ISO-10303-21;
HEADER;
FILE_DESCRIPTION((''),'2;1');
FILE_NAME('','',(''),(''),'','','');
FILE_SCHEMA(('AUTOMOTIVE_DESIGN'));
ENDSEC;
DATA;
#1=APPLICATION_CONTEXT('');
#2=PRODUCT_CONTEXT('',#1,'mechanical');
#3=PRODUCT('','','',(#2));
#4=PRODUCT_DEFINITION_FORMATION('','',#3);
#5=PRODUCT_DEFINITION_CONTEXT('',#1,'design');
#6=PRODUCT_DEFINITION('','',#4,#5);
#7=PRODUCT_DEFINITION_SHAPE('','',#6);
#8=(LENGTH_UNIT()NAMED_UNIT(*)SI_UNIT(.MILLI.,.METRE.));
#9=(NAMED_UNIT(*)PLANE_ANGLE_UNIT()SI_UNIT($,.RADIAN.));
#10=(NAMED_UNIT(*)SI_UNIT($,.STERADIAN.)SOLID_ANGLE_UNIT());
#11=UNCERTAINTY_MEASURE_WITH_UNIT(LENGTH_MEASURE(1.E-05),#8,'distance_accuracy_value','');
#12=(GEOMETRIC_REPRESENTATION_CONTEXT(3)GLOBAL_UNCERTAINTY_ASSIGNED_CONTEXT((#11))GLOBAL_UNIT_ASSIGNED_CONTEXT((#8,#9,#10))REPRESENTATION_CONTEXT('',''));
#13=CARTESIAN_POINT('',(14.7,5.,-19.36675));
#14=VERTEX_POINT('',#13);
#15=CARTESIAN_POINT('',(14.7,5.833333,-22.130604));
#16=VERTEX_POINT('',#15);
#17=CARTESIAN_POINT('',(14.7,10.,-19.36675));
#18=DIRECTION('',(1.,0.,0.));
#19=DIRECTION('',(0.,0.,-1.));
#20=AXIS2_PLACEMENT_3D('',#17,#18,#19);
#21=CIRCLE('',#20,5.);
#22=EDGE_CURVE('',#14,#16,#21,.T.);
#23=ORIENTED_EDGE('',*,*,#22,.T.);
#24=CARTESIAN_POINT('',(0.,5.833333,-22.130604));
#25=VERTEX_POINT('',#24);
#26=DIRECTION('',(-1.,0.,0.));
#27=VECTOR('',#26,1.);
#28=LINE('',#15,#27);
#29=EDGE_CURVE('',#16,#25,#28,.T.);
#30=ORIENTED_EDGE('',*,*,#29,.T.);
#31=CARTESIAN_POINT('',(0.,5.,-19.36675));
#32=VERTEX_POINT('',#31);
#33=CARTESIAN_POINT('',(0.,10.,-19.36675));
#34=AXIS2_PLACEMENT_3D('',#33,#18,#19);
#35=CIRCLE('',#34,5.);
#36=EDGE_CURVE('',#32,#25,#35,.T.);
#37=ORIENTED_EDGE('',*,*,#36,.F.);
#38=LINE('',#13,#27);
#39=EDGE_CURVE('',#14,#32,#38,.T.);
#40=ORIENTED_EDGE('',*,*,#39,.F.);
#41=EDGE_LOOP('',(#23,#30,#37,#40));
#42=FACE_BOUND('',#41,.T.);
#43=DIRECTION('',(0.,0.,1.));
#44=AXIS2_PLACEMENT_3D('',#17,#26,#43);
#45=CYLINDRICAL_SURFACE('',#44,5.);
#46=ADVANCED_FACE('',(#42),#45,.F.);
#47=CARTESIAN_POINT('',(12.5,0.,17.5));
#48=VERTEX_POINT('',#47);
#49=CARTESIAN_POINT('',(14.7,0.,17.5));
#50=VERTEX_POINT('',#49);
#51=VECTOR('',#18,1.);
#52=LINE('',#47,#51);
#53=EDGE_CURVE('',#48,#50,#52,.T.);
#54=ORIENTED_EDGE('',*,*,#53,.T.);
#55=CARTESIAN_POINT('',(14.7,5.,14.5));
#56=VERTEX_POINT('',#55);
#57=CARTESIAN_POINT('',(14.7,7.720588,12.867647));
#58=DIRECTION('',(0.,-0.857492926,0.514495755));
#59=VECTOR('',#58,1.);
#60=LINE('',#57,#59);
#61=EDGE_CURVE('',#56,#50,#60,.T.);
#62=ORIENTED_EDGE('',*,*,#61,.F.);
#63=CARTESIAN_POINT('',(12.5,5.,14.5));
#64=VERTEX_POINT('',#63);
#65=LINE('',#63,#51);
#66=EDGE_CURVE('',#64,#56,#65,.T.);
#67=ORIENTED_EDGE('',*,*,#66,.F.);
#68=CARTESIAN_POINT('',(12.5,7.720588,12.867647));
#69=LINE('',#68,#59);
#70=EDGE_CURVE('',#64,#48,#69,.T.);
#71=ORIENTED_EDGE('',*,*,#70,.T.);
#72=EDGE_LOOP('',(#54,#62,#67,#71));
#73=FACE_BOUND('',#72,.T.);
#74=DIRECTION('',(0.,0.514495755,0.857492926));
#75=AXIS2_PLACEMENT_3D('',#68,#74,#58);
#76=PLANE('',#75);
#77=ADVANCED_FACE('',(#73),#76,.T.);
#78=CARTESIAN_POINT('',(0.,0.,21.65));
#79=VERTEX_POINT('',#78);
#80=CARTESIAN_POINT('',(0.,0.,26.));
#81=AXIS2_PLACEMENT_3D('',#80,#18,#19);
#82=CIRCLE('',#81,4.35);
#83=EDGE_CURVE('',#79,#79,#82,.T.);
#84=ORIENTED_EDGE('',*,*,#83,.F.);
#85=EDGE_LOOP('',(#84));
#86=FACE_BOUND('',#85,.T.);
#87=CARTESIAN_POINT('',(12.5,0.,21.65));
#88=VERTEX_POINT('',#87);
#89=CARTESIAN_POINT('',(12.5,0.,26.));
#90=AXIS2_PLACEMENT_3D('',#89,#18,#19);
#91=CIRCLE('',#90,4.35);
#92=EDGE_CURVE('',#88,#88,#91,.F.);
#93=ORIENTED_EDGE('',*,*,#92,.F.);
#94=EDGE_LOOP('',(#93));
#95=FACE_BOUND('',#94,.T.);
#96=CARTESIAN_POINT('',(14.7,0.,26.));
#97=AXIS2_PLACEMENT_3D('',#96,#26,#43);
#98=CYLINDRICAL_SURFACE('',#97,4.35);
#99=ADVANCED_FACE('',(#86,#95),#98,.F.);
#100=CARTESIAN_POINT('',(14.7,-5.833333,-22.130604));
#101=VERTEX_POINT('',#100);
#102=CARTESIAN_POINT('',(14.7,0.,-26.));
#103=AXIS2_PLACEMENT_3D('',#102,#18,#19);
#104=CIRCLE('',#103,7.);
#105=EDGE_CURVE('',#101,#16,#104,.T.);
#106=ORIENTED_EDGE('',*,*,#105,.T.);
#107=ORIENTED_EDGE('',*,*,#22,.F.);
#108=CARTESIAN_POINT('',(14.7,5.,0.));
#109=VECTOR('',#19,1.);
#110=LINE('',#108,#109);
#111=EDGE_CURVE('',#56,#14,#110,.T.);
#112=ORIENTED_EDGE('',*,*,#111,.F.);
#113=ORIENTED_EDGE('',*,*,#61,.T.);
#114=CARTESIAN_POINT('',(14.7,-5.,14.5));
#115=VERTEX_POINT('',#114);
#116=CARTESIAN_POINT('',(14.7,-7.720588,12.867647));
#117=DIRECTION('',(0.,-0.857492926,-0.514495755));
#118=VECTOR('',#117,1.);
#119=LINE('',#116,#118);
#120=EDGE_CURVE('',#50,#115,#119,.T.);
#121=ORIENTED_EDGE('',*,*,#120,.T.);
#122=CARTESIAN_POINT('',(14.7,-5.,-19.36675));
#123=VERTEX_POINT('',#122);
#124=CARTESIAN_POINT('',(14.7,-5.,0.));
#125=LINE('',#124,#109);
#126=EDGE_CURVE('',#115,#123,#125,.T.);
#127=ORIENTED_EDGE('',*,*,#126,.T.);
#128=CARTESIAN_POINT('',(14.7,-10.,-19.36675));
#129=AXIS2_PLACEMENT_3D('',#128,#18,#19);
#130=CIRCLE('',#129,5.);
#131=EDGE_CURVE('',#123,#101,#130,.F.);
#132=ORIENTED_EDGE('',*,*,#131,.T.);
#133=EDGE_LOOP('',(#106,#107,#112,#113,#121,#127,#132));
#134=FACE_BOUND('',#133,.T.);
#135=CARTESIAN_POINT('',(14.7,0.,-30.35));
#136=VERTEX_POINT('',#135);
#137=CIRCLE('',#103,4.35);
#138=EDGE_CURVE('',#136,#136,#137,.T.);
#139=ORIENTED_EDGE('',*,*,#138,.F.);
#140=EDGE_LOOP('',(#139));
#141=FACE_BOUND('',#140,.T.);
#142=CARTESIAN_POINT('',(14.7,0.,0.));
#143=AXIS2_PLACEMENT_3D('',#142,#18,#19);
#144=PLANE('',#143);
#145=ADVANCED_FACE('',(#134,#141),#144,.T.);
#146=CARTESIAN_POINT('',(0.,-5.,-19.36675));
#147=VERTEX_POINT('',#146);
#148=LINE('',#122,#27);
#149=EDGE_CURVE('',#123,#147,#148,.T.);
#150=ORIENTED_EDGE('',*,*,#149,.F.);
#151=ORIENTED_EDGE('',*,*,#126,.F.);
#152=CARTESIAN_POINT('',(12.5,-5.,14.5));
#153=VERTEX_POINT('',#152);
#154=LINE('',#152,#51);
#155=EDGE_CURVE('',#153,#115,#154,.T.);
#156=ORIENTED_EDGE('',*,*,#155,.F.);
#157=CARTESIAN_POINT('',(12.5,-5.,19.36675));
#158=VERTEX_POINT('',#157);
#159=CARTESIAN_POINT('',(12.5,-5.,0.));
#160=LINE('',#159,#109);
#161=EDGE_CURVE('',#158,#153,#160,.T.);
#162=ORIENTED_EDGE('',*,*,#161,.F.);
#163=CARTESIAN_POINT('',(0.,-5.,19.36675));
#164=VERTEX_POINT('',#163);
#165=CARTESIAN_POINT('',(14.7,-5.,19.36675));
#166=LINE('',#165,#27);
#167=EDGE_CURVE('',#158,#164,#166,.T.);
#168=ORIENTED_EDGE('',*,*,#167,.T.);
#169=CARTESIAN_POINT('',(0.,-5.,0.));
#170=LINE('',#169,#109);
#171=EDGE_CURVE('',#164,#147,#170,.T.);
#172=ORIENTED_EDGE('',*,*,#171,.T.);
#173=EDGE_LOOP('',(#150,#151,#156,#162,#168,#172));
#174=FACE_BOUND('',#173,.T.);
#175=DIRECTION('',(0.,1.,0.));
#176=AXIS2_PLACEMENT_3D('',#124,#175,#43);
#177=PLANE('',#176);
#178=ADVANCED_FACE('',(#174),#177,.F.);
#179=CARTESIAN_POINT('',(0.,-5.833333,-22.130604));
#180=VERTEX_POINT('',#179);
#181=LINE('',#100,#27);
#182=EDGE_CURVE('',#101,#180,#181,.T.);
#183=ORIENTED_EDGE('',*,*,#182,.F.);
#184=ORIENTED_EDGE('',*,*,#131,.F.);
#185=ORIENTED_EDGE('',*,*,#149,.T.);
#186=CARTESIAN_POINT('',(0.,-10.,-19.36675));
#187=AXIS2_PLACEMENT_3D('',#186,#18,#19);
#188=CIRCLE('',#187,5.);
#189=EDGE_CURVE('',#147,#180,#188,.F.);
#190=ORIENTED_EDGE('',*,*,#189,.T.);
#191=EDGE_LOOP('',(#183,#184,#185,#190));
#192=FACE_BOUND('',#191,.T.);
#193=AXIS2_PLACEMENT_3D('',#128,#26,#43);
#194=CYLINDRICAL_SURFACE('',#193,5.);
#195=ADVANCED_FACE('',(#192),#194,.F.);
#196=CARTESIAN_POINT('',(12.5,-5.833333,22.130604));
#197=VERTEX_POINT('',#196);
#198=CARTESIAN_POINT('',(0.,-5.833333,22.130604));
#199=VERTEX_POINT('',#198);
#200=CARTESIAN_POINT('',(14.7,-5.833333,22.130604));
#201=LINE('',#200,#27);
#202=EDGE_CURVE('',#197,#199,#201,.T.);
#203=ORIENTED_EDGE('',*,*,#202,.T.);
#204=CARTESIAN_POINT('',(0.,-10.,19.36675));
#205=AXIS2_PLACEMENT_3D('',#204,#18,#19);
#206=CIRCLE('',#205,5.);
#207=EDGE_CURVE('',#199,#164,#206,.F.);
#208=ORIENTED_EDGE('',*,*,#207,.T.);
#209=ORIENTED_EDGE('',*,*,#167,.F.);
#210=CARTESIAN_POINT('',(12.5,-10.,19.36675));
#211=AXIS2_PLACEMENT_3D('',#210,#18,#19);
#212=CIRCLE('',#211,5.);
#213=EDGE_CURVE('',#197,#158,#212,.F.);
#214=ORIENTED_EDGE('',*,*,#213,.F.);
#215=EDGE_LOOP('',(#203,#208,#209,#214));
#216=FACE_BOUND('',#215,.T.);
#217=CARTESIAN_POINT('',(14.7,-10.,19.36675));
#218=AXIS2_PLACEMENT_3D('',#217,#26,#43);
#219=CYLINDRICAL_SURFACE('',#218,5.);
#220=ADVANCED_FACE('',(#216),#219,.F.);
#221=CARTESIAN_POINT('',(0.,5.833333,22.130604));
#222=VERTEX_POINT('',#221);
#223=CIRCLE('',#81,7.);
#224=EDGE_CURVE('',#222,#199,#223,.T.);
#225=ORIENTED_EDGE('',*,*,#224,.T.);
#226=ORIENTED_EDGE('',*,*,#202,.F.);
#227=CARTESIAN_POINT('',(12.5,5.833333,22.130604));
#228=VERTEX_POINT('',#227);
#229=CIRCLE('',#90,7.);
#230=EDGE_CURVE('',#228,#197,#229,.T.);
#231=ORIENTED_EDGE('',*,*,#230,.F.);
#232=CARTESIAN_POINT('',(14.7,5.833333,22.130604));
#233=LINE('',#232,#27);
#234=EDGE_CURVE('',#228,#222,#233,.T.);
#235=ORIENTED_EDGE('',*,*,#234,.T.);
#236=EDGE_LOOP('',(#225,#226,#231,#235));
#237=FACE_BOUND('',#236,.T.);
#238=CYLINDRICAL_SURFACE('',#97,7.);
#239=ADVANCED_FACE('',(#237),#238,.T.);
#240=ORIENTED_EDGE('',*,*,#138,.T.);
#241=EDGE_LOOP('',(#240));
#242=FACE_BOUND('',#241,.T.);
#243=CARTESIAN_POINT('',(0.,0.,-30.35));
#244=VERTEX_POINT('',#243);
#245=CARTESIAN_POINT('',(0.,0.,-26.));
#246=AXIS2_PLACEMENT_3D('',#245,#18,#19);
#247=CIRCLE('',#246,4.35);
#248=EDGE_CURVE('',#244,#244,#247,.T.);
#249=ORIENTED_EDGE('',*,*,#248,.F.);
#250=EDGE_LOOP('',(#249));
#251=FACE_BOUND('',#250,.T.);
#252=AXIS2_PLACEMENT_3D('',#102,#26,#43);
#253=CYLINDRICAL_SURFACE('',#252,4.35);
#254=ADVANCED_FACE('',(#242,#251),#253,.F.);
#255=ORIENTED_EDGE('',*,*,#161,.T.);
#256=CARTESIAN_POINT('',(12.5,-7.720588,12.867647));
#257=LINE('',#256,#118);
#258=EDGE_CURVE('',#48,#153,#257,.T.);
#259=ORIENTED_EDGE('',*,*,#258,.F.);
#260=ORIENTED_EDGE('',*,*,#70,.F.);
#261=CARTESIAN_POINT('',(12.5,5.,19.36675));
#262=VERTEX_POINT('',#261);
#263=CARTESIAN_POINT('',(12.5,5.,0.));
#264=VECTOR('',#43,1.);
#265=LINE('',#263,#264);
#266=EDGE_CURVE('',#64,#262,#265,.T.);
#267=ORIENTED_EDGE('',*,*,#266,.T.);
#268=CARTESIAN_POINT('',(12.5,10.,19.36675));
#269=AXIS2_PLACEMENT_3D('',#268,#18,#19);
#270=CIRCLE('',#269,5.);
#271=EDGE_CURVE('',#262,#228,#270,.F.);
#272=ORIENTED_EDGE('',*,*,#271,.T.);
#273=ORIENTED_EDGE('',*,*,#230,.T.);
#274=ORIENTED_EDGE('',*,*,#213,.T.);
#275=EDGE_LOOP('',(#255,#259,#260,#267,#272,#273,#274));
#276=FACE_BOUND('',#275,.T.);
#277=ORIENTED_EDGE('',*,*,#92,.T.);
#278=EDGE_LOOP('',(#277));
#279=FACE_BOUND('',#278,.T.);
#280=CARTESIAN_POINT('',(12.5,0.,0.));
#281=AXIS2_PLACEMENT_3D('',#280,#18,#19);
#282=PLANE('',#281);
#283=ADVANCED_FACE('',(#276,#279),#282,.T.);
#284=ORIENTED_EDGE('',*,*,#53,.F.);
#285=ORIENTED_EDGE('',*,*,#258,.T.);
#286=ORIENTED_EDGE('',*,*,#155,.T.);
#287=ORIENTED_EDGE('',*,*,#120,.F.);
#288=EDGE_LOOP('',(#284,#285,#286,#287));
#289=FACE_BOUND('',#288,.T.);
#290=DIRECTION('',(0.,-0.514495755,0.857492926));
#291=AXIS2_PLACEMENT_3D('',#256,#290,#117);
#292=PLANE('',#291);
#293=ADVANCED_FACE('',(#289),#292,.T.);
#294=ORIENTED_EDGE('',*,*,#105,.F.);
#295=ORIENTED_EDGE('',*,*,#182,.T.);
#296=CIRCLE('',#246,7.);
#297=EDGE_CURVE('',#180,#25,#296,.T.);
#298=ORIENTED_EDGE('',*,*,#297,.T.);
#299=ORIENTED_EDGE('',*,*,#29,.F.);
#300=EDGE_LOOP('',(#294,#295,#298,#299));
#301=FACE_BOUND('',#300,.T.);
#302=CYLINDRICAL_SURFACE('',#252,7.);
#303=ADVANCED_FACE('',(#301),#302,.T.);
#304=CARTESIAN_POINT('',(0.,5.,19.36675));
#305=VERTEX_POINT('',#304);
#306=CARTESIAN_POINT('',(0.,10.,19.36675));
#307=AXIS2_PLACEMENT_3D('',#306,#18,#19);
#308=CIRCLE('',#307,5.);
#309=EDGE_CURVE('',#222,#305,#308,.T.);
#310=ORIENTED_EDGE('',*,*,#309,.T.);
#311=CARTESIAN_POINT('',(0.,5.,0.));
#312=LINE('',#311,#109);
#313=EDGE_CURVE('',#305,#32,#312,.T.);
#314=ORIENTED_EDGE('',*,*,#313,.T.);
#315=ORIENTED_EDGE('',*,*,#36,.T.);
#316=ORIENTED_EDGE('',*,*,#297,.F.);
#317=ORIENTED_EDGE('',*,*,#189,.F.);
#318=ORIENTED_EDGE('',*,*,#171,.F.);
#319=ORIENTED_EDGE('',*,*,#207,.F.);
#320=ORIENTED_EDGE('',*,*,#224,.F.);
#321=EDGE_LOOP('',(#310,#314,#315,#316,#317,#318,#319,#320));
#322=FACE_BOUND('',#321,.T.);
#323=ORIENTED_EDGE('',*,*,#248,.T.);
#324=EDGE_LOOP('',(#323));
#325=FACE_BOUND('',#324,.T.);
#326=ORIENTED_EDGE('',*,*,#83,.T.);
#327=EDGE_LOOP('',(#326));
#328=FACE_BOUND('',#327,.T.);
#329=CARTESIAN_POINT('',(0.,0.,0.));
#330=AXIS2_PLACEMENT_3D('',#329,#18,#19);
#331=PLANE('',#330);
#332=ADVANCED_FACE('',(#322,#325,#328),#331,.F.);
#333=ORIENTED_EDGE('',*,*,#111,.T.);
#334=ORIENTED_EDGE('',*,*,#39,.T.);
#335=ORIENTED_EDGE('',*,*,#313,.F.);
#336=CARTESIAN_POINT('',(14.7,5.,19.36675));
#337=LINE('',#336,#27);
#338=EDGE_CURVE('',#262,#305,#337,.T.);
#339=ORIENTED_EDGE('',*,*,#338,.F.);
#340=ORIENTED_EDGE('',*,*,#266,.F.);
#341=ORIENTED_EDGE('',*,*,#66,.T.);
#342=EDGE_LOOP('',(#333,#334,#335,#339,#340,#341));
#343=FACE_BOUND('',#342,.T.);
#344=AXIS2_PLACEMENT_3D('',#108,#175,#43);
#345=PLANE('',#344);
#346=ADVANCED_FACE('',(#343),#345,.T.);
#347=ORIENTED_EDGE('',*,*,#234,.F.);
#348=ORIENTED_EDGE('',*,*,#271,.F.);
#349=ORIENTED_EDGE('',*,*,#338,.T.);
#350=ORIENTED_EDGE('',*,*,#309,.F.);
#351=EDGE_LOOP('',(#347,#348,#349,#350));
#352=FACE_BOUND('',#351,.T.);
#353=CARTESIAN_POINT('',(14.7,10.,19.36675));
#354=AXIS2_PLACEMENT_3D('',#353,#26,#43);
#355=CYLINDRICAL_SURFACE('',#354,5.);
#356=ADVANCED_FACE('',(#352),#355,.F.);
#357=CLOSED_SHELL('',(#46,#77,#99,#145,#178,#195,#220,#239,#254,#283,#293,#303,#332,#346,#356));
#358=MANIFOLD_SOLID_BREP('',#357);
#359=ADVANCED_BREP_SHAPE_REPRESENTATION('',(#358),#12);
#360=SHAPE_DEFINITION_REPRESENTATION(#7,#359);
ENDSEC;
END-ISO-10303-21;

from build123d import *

# Parameters (mm, degrees)
CROQUIS1_R              = 4.35
SALIENTE_EXTRUIR1_DEPTH = 14.7
CROQUIS2_R              = 4.35
CORTAR_EXTRUIR1_DEPTH   = 2.2


with BuildPart() as part:
    # Croquis1 → Saliente-Extruir1 (new body)
    with BuildSketch(Plane(origin=(0, 0, 0), x_dir=(0, 0, -1), z_dir=(1, 0, 0))):
        with BuildLine():
            Line((19.366750419, 5), (-19.366750419, 5))
            ThreePointArc((-19.366750419, 5), (-20.810126092, 5.212864461), (-22.130604411, 5.833333333))
            ThreePointArc((-22.130604411, 5.833333333), (-33, 0), (-22.130604411, -5.833333333))
            ThreePointArc((-22.130604411, -5.833333333), (-20.810126092, -5.212864461), (-19.366750419, -5))
            Line((-19.366750419, -5), (19.366750419, -5))
            ThreePointArc((19.366750419, -5), (20.810126092, -5.212864461), (22.130604411, -5.833333333))
            ThreePointArc((22.130604411, -5.833333333), (33, 0), (22.130604411, 5.833333333))
            ThreePointArc((22.130604411, 5.833333333), (20.810126092, 5.212864461), (19.366750419, 5))
        make_face()
        with Locations((-26, 0)):
            Circle(CROQUIS1_R, mode=Mode.SUBTRACT)
        with Locations((26, 0)):
            Circle(CROQUIS1_R, mode=Mode.SUBTRACT)
    extrude(amount=SALIENTE_EXTRUIR1_DEPTH)

    # Croquis2 → Cortar-Extruir1 (cut)
    with BuildSketch(Plane(origin=(14.7, 0, 0), x_dir=(0, 0, -1), z_dir=(1, 0, 0))):
        with BuildLine():
            Line((-17.5, 0), (-14.5, 5))
            Line((-14.5, 5), (-19.366750419, 5))
            ThreePointArc((-19.366750419, 5), (-20.810126092, 5.212864461), (-22.130604411, 5.833333333))
            ThreePointArc((-22.130604411, 5.833333333), (-33, 0), (-22.130604411, -5.833333333))
            ThreePointArc((-22.130604411, -5.833333333), (-20.810126092, -5.212864461), (-19.366750419, -5))
            Line((-19.366750419, -5), (-14.5, -5))
            Line((-14.5, -5), (-17.5, 0))
        make_face()
        with Locations((-26, 0)):
            Circle(CROQUIS2_R, mode=Mode.SUBTRACT)
    extrude(amount=-CORTAR_EXTRUIR1_DEPTH, mode=Mode.SUBTRACT)


solid = part.part
